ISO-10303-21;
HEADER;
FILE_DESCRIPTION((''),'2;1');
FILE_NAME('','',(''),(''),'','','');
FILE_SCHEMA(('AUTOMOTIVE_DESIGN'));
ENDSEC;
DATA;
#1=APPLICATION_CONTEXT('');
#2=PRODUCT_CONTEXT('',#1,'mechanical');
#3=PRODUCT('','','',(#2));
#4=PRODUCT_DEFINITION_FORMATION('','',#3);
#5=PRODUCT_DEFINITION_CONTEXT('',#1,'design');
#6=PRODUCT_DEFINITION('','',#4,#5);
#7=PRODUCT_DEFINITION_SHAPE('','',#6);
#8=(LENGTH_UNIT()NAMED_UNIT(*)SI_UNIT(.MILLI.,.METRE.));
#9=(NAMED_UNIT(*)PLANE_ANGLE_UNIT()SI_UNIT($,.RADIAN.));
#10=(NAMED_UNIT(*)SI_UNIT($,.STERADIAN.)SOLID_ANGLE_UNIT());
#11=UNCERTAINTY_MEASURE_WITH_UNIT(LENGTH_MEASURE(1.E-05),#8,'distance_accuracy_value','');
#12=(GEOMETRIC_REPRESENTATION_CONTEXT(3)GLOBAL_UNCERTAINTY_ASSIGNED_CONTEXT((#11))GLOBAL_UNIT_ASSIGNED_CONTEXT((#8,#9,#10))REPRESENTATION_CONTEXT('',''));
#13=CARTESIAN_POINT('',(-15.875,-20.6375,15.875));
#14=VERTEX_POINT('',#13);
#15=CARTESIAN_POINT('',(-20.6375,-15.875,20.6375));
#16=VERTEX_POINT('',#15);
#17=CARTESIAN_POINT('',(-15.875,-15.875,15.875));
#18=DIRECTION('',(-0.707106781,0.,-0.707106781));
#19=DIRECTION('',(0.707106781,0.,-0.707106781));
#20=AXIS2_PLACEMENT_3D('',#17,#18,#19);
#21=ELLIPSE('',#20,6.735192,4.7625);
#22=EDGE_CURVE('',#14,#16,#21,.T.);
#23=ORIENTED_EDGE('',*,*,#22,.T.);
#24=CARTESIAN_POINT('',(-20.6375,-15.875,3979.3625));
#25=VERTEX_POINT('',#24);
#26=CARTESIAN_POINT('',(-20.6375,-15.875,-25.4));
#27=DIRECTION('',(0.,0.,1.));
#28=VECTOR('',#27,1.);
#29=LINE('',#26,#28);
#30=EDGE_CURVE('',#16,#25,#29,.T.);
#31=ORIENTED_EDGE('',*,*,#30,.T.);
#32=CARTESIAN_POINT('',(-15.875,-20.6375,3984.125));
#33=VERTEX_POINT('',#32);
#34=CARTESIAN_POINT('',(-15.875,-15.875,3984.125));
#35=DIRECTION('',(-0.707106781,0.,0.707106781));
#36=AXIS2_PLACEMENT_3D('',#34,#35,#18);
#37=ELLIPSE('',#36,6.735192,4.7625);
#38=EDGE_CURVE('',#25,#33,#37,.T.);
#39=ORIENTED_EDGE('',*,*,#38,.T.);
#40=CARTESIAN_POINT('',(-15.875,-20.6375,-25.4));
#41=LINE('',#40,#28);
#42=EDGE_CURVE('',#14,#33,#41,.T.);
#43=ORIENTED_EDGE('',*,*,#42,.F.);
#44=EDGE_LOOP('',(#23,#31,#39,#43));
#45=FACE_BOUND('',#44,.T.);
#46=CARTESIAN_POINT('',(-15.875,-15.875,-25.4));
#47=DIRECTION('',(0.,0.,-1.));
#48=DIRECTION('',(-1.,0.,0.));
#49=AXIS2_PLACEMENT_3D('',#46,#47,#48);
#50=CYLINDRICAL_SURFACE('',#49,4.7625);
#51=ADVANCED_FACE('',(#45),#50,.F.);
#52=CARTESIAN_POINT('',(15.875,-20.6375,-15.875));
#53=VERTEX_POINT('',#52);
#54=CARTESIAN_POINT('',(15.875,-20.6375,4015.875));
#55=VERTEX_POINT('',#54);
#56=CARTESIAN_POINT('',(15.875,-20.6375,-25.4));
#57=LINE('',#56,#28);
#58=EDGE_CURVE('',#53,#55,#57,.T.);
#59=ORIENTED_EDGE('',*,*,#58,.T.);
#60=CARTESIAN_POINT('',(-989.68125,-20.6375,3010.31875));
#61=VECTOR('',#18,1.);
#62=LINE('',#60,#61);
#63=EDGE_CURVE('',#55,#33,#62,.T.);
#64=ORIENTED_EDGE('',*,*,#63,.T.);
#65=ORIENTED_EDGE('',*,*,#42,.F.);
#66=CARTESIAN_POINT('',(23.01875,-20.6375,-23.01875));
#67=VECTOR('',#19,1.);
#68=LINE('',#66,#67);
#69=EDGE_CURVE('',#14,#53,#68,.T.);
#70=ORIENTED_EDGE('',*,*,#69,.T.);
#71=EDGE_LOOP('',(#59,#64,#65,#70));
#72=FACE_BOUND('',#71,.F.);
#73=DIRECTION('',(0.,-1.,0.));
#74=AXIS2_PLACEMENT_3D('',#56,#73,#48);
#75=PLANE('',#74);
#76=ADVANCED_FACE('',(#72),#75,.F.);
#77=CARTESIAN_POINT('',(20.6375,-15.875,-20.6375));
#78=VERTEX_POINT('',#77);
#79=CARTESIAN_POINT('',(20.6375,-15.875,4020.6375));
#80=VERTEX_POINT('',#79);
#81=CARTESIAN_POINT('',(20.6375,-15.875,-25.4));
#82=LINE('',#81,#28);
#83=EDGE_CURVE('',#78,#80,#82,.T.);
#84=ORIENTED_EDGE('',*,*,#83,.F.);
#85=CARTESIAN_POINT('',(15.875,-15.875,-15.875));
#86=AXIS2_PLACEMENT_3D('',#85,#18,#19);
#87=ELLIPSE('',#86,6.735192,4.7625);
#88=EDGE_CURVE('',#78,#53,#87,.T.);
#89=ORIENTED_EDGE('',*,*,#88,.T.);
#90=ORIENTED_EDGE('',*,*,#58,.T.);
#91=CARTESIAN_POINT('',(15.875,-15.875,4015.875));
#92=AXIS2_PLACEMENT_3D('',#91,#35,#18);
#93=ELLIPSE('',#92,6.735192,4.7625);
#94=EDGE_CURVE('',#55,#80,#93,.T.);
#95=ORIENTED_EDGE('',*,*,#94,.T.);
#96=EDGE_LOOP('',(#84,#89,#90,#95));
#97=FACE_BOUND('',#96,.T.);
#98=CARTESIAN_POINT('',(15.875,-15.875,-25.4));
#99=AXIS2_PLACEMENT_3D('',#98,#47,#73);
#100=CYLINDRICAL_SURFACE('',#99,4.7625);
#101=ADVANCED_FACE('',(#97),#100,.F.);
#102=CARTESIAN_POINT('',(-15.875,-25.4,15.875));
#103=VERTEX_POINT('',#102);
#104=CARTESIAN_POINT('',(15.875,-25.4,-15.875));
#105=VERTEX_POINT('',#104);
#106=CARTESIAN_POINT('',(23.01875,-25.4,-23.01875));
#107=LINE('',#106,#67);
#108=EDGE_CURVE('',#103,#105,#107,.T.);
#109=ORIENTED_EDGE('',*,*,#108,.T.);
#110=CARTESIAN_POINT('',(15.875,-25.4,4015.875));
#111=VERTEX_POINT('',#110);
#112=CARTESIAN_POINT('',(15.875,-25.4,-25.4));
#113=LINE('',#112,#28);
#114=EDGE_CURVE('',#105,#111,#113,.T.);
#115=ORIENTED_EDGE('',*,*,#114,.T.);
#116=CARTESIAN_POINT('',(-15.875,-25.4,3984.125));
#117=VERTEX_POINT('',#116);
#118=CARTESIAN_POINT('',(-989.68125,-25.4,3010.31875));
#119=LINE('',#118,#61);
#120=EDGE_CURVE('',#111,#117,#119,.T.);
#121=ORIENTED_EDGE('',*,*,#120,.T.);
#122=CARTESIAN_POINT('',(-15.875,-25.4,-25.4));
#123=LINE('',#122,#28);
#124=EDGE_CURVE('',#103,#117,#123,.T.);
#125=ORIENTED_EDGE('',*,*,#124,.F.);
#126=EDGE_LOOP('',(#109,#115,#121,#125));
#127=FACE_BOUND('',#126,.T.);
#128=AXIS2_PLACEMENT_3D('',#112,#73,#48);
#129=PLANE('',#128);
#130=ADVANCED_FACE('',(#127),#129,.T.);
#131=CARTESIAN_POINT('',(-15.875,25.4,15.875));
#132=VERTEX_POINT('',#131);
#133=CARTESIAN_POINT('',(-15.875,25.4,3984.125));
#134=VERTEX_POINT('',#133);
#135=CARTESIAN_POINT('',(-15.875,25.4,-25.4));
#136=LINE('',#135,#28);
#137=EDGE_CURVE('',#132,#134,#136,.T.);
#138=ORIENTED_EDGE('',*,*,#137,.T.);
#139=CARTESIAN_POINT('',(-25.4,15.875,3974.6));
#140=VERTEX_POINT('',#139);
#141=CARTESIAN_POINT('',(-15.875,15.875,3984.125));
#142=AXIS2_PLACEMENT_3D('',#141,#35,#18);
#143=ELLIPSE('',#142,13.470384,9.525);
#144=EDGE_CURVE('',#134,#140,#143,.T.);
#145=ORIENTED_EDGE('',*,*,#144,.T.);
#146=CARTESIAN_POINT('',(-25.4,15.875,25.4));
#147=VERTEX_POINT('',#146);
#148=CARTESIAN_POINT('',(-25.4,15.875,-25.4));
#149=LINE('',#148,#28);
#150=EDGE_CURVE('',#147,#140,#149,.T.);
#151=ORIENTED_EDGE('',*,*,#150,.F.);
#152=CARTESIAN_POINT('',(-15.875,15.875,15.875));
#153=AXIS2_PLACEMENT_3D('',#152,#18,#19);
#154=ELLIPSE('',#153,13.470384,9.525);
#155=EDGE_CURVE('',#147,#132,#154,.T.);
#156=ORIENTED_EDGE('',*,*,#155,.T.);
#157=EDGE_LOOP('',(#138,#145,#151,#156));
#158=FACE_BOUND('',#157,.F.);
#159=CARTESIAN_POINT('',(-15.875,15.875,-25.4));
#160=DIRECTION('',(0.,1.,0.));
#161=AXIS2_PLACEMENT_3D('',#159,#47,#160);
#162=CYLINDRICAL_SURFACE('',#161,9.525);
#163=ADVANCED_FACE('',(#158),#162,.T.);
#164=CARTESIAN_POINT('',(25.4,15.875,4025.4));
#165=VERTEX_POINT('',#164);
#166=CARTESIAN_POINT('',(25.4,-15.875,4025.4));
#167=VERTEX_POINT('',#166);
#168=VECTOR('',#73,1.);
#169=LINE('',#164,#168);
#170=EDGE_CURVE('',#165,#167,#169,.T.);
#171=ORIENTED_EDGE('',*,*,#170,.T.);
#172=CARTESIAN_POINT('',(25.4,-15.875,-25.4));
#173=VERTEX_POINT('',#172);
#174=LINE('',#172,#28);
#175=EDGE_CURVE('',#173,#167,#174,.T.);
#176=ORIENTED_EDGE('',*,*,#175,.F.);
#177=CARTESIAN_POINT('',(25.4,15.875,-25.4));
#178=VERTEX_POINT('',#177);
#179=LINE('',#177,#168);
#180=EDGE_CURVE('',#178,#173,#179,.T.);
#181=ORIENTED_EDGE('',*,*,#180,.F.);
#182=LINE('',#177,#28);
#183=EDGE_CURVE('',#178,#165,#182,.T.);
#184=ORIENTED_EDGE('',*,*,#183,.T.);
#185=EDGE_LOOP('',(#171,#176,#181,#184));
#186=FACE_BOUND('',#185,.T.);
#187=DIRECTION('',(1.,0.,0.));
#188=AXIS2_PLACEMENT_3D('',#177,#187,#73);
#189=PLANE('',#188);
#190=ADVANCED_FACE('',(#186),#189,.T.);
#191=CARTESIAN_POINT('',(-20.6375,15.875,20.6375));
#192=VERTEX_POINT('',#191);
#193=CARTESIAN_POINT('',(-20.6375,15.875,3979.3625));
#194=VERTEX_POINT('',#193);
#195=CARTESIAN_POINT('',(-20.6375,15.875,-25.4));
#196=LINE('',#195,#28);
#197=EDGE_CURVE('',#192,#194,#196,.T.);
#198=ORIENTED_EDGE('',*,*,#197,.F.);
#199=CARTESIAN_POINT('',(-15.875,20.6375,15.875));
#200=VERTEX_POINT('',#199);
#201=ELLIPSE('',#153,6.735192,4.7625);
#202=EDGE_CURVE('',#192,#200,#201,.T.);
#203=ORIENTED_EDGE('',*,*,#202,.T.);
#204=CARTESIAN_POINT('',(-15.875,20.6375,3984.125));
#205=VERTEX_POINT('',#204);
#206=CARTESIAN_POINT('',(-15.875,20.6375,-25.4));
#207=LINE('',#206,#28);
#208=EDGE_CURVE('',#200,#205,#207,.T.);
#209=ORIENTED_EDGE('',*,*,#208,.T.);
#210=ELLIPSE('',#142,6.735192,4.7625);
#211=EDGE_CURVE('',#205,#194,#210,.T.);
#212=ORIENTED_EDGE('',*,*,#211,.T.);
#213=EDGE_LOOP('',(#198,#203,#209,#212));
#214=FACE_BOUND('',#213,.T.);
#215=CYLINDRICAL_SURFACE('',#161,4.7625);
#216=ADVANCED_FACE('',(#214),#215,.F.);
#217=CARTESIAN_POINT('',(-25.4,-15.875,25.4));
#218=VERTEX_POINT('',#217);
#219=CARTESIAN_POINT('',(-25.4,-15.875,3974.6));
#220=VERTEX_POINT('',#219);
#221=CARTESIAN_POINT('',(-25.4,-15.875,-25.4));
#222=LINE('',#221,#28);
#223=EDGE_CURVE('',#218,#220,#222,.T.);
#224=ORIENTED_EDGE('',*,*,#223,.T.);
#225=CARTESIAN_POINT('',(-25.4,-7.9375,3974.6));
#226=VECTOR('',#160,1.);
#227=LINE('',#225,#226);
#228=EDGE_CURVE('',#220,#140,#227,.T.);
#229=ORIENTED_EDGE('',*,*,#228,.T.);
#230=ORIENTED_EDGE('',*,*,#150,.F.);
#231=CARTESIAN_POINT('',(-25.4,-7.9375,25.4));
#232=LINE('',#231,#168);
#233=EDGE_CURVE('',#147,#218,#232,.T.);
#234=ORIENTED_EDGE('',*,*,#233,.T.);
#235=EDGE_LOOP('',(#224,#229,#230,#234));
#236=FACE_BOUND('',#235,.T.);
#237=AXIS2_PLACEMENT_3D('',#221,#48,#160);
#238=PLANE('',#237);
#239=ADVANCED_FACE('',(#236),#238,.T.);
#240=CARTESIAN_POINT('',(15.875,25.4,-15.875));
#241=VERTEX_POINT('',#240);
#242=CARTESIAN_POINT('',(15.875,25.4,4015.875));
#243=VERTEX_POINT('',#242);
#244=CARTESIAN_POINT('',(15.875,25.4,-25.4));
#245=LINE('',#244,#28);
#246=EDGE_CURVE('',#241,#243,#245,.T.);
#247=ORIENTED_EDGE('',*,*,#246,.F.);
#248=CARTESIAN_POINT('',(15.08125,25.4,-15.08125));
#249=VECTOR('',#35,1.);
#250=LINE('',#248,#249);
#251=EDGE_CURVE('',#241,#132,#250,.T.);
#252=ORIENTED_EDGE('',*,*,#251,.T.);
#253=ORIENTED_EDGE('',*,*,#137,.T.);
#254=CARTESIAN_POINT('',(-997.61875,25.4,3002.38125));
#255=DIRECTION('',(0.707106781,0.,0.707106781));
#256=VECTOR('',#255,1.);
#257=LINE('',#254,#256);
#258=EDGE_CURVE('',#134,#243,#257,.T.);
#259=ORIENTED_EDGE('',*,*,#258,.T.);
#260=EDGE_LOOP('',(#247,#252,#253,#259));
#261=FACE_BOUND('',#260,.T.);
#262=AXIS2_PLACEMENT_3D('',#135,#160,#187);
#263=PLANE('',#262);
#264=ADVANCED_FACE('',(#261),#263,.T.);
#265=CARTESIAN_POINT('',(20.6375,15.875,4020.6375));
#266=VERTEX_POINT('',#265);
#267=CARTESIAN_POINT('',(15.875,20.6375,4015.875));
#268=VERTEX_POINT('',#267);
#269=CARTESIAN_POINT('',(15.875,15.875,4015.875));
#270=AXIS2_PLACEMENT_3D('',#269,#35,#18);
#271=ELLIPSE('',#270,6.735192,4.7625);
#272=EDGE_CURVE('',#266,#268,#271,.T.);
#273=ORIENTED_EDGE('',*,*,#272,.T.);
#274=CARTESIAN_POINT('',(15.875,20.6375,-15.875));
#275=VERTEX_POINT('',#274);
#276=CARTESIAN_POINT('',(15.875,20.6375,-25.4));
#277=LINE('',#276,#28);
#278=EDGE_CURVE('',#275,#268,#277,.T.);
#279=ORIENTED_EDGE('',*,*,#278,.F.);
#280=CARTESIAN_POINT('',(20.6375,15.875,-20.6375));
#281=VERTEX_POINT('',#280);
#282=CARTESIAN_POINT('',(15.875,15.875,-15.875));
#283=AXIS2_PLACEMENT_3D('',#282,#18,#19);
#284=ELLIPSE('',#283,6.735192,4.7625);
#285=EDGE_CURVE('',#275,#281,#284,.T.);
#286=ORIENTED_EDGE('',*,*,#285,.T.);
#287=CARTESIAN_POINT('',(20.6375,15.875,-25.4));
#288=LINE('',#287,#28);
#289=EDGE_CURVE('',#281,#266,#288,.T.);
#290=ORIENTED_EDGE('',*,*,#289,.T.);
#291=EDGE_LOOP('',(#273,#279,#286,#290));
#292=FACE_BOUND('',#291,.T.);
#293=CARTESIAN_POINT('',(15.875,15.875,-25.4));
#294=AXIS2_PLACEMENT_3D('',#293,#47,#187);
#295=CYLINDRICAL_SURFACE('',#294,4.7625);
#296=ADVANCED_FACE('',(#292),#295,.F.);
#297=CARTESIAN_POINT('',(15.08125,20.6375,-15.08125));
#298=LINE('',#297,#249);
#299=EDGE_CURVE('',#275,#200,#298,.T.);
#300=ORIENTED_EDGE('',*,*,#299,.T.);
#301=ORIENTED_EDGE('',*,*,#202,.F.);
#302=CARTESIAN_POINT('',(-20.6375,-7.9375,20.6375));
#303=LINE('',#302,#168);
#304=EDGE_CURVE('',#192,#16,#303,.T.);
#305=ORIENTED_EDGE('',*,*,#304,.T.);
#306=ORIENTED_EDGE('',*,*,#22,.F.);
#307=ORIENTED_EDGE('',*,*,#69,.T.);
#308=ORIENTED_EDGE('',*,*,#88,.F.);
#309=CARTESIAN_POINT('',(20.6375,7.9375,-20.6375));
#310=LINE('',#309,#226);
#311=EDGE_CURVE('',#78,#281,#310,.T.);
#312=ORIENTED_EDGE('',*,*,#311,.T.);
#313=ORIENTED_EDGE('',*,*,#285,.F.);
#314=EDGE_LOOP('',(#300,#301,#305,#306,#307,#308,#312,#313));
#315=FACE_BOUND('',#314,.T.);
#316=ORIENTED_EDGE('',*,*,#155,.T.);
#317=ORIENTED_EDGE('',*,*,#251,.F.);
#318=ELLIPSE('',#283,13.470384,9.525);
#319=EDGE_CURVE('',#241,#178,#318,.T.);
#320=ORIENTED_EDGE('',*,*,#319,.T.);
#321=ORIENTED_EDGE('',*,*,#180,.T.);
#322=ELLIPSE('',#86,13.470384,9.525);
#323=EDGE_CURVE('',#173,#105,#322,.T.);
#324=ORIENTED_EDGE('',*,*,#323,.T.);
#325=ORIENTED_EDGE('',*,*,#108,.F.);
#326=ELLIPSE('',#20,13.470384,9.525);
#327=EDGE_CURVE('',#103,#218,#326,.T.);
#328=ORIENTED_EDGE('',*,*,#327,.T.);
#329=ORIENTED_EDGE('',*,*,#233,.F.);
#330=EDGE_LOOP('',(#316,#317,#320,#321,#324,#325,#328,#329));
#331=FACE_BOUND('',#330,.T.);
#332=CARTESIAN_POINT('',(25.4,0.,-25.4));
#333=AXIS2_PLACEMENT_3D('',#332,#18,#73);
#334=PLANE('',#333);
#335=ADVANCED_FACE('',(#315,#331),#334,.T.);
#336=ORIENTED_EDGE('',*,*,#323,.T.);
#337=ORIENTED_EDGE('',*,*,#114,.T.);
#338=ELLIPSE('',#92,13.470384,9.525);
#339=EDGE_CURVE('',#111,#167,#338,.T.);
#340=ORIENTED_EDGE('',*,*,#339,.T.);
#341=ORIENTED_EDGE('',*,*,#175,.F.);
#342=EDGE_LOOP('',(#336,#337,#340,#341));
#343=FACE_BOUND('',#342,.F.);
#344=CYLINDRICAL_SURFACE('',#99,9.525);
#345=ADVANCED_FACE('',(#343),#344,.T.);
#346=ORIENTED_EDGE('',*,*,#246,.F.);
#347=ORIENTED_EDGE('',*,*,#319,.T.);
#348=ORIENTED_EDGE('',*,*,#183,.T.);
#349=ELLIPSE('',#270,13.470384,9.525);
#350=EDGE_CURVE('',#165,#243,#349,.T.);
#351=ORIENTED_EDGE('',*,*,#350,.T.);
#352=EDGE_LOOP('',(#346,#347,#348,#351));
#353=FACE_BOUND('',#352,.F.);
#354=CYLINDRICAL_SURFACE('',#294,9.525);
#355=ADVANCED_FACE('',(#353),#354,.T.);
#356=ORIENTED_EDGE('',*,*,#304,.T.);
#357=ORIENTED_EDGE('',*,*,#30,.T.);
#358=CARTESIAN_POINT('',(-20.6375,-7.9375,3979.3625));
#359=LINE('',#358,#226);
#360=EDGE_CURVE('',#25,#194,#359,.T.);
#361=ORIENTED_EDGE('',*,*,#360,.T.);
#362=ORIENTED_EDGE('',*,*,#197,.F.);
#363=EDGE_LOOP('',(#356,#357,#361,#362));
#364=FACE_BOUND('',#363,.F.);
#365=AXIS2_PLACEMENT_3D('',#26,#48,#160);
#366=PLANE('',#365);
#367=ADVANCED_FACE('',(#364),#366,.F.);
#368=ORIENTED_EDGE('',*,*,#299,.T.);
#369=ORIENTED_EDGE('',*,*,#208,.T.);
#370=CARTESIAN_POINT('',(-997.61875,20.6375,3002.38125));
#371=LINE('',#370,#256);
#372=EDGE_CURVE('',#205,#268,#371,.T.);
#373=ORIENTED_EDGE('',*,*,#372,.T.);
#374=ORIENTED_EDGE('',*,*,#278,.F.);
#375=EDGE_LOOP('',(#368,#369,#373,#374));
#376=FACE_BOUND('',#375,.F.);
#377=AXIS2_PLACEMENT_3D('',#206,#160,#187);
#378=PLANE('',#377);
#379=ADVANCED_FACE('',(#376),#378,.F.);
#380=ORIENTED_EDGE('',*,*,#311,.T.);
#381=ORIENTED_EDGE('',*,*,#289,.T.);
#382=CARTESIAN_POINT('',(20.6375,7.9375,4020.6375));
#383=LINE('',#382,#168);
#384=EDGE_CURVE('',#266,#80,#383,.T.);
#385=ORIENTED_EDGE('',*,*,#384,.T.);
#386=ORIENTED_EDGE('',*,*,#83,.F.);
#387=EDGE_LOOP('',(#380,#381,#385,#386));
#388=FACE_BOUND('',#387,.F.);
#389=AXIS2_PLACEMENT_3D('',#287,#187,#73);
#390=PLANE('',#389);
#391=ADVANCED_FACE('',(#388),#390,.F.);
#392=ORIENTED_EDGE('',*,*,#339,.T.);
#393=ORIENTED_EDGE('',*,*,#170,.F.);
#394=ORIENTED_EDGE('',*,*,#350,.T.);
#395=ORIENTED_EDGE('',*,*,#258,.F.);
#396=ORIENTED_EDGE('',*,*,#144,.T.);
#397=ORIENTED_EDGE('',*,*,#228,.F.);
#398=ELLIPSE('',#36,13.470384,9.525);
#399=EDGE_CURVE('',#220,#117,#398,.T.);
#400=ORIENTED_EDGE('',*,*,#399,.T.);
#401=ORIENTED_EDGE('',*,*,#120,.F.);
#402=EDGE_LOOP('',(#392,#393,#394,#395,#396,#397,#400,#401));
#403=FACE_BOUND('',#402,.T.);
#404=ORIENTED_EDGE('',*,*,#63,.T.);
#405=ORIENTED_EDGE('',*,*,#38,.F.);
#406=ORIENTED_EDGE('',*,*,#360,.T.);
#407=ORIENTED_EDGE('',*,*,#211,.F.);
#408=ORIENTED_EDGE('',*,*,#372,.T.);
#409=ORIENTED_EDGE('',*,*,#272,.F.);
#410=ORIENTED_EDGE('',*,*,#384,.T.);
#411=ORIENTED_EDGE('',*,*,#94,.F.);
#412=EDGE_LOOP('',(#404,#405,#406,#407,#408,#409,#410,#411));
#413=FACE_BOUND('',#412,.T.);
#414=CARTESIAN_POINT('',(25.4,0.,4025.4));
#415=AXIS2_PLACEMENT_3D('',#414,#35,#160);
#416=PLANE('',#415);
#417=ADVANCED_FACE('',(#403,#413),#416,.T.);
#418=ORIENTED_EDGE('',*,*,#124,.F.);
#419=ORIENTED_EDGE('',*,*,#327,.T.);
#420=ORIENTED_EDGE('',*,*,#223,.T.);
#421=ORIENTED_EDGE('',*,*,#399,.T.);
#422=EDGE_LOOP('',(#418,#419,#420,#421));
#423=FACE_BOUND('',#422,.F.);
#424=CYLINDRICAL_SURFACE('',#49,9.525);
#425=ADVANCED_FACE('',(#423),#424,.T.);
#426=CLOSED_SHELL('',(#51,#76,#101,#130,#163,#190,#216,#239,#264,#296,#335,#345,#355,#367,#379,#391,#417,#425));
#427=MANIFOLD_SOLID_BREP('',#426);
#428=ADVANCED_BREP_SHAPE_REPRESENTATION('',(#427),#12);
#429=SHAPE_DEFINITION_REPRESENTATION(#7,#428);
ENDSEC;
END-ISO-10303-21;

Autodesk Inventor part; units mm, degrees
ref_plane "Plano inicial" through (0, 0, -25.4) normal (0, 0, 1) x (1, 0, 0)
ref_plane "Plano final" through (0, 0, 4025.4) normal (0, 0, 1) x (1, 0, 0)
sketch "Esboço" plane through (0, 0, 0) normal (0, 0, 1) x (1, 0, 0)
  line L0 (-25.4, -15.875) -> (-25.4, 15.875)
  line L1 (-15.875, 25.4) -> (15.875, 25.4)
  line L2 (25.4, 15.875) -> (25.4, -15.875)
  line L3 (15.875, -25.4) -> (-15.875, -25.4)
  arc A0 (-25.4, -15.875) -> (-15.875, -25.4) centre (-15.875, -15.875) ccw
  arc A1 (-15.875, 25.4) -> (-25.4, 15.875) centre (-15.875, 15.875) ccw
  arc A2 (25.4, 15.875) -> (15.875, 25.4) centre (15.875, 15.875) ccw
  arc A3 (15.875, -25.4) -> (25.4, -15.875) centre (15.875, -15.875) ccw
  arc A4 (-15.875, 20.6375) -> (-20.6375, 15.875) centre (-15.875, 15.875) ccw
  line L4 (-15.875, 20.6375) -> (15.875, 20.6375)
  arc A5 (20.6375, 15.875) -> (15.875, 20.6375) centre (15.875, 15.875) ccw
  line L5 (20.6375, 15.875) -> (20.6375, -15.875)
  arc A6 (15.875, -20.6375) -> (20.6375, -15.875) centre (15.875, -15.875) ccw
  line L6 (15.875, -20.6375) -> (-15.875, -20.6375)
  arc A7 (-20.6375, -15.875) -> (-15.875, -20.6375) centre (-15.875, -15.875) ccw
  line L7 (-20.6375, -15.875) -> (-20.6375, 15.875)
  line L8 (0, 38.3218) -> (0, -38.3218) construction
  line L9 (-38.3218, 0) -> (38.3218, 0) construction
  dimension "d10" = 50.8
  dimension "d11" = 50.8
  dimension "d12" = 4.7625
  dimension "d15" = 25.4
  dimension "d16" = 25.4
  dimension "d17" = 9.525
extrude "Corpo" add sketch "Esboço" along normal up to surface (4050.8 mm away) from surface at -25.4
sketch "Sketch3" plane through (0, 0, 0) normal (0, 0, 1) x (1, 0, 0)
  line L0 (0, 0) -> (10, 0)
ref_plane "Work Plane3" through (0, 0, 0) normal (0, -1, 0) x (1, 0, 0)
sketch "Sketch4" plane through (0, 0, 0) normal (0, -1, 0) x (1, 0, 0)
  line L0 (-2, -25.4) -> (12, -25.4)
  line L1 (-2, 4025.4) -> (12, 4025.4)
  dimension "d19" = 4050.8
ref_plane "Plano de trabalho4" through (25.4, 0, 4025.4) normal (-0.7071, 0, 0.7071) x (0.7071, 0, 0.7071)
split "Dividir1" plane through (25.4, 0, 4025.4) removes the side toward (-0.7071, 0, 0.7071)
ref_plane "Plano de trabalho5" through (25.4, 0, -25.4) normal (-0.7071, 0, -0.7071) x (-0.7071, 0, 0.7071)
split "Dividir2" plane through (25.4, 0, -25.4) removes the side toward (-0.7071, 0, -0.7071)
equation "\"d10\" = G_H"
equation "\"d11\" = G_W"
equation "\"d12\" = G_T"
equation "\"d15\" = 0.5 * d10"
equation "\"d16\" = 0.5 * d11"
equation "\"d17\" = G_IR"
equation "\"d3\" = G_L"
equation "\"G_W\" = 50.8"
equation "\"G_H\" = 50.8"
equation "\"G_T\" = 4.7625"
equation "\"G_IR\" = 9.525"
equation "\"G_L\" = d19"
equation "\"G_OFFSET_START\" = 25.4"
equation "\"G_OFFSET_END\" = 25.4"
equation "\"d13\" = -G_OFFSET_START"
equation "\"d14\" = G_OFFSET_END + B_L"
equation "\"B_L\" = 4000"
properties part number "AISC - 2 x 2 x 3/16 - 159,48" material "Aço, suave"
